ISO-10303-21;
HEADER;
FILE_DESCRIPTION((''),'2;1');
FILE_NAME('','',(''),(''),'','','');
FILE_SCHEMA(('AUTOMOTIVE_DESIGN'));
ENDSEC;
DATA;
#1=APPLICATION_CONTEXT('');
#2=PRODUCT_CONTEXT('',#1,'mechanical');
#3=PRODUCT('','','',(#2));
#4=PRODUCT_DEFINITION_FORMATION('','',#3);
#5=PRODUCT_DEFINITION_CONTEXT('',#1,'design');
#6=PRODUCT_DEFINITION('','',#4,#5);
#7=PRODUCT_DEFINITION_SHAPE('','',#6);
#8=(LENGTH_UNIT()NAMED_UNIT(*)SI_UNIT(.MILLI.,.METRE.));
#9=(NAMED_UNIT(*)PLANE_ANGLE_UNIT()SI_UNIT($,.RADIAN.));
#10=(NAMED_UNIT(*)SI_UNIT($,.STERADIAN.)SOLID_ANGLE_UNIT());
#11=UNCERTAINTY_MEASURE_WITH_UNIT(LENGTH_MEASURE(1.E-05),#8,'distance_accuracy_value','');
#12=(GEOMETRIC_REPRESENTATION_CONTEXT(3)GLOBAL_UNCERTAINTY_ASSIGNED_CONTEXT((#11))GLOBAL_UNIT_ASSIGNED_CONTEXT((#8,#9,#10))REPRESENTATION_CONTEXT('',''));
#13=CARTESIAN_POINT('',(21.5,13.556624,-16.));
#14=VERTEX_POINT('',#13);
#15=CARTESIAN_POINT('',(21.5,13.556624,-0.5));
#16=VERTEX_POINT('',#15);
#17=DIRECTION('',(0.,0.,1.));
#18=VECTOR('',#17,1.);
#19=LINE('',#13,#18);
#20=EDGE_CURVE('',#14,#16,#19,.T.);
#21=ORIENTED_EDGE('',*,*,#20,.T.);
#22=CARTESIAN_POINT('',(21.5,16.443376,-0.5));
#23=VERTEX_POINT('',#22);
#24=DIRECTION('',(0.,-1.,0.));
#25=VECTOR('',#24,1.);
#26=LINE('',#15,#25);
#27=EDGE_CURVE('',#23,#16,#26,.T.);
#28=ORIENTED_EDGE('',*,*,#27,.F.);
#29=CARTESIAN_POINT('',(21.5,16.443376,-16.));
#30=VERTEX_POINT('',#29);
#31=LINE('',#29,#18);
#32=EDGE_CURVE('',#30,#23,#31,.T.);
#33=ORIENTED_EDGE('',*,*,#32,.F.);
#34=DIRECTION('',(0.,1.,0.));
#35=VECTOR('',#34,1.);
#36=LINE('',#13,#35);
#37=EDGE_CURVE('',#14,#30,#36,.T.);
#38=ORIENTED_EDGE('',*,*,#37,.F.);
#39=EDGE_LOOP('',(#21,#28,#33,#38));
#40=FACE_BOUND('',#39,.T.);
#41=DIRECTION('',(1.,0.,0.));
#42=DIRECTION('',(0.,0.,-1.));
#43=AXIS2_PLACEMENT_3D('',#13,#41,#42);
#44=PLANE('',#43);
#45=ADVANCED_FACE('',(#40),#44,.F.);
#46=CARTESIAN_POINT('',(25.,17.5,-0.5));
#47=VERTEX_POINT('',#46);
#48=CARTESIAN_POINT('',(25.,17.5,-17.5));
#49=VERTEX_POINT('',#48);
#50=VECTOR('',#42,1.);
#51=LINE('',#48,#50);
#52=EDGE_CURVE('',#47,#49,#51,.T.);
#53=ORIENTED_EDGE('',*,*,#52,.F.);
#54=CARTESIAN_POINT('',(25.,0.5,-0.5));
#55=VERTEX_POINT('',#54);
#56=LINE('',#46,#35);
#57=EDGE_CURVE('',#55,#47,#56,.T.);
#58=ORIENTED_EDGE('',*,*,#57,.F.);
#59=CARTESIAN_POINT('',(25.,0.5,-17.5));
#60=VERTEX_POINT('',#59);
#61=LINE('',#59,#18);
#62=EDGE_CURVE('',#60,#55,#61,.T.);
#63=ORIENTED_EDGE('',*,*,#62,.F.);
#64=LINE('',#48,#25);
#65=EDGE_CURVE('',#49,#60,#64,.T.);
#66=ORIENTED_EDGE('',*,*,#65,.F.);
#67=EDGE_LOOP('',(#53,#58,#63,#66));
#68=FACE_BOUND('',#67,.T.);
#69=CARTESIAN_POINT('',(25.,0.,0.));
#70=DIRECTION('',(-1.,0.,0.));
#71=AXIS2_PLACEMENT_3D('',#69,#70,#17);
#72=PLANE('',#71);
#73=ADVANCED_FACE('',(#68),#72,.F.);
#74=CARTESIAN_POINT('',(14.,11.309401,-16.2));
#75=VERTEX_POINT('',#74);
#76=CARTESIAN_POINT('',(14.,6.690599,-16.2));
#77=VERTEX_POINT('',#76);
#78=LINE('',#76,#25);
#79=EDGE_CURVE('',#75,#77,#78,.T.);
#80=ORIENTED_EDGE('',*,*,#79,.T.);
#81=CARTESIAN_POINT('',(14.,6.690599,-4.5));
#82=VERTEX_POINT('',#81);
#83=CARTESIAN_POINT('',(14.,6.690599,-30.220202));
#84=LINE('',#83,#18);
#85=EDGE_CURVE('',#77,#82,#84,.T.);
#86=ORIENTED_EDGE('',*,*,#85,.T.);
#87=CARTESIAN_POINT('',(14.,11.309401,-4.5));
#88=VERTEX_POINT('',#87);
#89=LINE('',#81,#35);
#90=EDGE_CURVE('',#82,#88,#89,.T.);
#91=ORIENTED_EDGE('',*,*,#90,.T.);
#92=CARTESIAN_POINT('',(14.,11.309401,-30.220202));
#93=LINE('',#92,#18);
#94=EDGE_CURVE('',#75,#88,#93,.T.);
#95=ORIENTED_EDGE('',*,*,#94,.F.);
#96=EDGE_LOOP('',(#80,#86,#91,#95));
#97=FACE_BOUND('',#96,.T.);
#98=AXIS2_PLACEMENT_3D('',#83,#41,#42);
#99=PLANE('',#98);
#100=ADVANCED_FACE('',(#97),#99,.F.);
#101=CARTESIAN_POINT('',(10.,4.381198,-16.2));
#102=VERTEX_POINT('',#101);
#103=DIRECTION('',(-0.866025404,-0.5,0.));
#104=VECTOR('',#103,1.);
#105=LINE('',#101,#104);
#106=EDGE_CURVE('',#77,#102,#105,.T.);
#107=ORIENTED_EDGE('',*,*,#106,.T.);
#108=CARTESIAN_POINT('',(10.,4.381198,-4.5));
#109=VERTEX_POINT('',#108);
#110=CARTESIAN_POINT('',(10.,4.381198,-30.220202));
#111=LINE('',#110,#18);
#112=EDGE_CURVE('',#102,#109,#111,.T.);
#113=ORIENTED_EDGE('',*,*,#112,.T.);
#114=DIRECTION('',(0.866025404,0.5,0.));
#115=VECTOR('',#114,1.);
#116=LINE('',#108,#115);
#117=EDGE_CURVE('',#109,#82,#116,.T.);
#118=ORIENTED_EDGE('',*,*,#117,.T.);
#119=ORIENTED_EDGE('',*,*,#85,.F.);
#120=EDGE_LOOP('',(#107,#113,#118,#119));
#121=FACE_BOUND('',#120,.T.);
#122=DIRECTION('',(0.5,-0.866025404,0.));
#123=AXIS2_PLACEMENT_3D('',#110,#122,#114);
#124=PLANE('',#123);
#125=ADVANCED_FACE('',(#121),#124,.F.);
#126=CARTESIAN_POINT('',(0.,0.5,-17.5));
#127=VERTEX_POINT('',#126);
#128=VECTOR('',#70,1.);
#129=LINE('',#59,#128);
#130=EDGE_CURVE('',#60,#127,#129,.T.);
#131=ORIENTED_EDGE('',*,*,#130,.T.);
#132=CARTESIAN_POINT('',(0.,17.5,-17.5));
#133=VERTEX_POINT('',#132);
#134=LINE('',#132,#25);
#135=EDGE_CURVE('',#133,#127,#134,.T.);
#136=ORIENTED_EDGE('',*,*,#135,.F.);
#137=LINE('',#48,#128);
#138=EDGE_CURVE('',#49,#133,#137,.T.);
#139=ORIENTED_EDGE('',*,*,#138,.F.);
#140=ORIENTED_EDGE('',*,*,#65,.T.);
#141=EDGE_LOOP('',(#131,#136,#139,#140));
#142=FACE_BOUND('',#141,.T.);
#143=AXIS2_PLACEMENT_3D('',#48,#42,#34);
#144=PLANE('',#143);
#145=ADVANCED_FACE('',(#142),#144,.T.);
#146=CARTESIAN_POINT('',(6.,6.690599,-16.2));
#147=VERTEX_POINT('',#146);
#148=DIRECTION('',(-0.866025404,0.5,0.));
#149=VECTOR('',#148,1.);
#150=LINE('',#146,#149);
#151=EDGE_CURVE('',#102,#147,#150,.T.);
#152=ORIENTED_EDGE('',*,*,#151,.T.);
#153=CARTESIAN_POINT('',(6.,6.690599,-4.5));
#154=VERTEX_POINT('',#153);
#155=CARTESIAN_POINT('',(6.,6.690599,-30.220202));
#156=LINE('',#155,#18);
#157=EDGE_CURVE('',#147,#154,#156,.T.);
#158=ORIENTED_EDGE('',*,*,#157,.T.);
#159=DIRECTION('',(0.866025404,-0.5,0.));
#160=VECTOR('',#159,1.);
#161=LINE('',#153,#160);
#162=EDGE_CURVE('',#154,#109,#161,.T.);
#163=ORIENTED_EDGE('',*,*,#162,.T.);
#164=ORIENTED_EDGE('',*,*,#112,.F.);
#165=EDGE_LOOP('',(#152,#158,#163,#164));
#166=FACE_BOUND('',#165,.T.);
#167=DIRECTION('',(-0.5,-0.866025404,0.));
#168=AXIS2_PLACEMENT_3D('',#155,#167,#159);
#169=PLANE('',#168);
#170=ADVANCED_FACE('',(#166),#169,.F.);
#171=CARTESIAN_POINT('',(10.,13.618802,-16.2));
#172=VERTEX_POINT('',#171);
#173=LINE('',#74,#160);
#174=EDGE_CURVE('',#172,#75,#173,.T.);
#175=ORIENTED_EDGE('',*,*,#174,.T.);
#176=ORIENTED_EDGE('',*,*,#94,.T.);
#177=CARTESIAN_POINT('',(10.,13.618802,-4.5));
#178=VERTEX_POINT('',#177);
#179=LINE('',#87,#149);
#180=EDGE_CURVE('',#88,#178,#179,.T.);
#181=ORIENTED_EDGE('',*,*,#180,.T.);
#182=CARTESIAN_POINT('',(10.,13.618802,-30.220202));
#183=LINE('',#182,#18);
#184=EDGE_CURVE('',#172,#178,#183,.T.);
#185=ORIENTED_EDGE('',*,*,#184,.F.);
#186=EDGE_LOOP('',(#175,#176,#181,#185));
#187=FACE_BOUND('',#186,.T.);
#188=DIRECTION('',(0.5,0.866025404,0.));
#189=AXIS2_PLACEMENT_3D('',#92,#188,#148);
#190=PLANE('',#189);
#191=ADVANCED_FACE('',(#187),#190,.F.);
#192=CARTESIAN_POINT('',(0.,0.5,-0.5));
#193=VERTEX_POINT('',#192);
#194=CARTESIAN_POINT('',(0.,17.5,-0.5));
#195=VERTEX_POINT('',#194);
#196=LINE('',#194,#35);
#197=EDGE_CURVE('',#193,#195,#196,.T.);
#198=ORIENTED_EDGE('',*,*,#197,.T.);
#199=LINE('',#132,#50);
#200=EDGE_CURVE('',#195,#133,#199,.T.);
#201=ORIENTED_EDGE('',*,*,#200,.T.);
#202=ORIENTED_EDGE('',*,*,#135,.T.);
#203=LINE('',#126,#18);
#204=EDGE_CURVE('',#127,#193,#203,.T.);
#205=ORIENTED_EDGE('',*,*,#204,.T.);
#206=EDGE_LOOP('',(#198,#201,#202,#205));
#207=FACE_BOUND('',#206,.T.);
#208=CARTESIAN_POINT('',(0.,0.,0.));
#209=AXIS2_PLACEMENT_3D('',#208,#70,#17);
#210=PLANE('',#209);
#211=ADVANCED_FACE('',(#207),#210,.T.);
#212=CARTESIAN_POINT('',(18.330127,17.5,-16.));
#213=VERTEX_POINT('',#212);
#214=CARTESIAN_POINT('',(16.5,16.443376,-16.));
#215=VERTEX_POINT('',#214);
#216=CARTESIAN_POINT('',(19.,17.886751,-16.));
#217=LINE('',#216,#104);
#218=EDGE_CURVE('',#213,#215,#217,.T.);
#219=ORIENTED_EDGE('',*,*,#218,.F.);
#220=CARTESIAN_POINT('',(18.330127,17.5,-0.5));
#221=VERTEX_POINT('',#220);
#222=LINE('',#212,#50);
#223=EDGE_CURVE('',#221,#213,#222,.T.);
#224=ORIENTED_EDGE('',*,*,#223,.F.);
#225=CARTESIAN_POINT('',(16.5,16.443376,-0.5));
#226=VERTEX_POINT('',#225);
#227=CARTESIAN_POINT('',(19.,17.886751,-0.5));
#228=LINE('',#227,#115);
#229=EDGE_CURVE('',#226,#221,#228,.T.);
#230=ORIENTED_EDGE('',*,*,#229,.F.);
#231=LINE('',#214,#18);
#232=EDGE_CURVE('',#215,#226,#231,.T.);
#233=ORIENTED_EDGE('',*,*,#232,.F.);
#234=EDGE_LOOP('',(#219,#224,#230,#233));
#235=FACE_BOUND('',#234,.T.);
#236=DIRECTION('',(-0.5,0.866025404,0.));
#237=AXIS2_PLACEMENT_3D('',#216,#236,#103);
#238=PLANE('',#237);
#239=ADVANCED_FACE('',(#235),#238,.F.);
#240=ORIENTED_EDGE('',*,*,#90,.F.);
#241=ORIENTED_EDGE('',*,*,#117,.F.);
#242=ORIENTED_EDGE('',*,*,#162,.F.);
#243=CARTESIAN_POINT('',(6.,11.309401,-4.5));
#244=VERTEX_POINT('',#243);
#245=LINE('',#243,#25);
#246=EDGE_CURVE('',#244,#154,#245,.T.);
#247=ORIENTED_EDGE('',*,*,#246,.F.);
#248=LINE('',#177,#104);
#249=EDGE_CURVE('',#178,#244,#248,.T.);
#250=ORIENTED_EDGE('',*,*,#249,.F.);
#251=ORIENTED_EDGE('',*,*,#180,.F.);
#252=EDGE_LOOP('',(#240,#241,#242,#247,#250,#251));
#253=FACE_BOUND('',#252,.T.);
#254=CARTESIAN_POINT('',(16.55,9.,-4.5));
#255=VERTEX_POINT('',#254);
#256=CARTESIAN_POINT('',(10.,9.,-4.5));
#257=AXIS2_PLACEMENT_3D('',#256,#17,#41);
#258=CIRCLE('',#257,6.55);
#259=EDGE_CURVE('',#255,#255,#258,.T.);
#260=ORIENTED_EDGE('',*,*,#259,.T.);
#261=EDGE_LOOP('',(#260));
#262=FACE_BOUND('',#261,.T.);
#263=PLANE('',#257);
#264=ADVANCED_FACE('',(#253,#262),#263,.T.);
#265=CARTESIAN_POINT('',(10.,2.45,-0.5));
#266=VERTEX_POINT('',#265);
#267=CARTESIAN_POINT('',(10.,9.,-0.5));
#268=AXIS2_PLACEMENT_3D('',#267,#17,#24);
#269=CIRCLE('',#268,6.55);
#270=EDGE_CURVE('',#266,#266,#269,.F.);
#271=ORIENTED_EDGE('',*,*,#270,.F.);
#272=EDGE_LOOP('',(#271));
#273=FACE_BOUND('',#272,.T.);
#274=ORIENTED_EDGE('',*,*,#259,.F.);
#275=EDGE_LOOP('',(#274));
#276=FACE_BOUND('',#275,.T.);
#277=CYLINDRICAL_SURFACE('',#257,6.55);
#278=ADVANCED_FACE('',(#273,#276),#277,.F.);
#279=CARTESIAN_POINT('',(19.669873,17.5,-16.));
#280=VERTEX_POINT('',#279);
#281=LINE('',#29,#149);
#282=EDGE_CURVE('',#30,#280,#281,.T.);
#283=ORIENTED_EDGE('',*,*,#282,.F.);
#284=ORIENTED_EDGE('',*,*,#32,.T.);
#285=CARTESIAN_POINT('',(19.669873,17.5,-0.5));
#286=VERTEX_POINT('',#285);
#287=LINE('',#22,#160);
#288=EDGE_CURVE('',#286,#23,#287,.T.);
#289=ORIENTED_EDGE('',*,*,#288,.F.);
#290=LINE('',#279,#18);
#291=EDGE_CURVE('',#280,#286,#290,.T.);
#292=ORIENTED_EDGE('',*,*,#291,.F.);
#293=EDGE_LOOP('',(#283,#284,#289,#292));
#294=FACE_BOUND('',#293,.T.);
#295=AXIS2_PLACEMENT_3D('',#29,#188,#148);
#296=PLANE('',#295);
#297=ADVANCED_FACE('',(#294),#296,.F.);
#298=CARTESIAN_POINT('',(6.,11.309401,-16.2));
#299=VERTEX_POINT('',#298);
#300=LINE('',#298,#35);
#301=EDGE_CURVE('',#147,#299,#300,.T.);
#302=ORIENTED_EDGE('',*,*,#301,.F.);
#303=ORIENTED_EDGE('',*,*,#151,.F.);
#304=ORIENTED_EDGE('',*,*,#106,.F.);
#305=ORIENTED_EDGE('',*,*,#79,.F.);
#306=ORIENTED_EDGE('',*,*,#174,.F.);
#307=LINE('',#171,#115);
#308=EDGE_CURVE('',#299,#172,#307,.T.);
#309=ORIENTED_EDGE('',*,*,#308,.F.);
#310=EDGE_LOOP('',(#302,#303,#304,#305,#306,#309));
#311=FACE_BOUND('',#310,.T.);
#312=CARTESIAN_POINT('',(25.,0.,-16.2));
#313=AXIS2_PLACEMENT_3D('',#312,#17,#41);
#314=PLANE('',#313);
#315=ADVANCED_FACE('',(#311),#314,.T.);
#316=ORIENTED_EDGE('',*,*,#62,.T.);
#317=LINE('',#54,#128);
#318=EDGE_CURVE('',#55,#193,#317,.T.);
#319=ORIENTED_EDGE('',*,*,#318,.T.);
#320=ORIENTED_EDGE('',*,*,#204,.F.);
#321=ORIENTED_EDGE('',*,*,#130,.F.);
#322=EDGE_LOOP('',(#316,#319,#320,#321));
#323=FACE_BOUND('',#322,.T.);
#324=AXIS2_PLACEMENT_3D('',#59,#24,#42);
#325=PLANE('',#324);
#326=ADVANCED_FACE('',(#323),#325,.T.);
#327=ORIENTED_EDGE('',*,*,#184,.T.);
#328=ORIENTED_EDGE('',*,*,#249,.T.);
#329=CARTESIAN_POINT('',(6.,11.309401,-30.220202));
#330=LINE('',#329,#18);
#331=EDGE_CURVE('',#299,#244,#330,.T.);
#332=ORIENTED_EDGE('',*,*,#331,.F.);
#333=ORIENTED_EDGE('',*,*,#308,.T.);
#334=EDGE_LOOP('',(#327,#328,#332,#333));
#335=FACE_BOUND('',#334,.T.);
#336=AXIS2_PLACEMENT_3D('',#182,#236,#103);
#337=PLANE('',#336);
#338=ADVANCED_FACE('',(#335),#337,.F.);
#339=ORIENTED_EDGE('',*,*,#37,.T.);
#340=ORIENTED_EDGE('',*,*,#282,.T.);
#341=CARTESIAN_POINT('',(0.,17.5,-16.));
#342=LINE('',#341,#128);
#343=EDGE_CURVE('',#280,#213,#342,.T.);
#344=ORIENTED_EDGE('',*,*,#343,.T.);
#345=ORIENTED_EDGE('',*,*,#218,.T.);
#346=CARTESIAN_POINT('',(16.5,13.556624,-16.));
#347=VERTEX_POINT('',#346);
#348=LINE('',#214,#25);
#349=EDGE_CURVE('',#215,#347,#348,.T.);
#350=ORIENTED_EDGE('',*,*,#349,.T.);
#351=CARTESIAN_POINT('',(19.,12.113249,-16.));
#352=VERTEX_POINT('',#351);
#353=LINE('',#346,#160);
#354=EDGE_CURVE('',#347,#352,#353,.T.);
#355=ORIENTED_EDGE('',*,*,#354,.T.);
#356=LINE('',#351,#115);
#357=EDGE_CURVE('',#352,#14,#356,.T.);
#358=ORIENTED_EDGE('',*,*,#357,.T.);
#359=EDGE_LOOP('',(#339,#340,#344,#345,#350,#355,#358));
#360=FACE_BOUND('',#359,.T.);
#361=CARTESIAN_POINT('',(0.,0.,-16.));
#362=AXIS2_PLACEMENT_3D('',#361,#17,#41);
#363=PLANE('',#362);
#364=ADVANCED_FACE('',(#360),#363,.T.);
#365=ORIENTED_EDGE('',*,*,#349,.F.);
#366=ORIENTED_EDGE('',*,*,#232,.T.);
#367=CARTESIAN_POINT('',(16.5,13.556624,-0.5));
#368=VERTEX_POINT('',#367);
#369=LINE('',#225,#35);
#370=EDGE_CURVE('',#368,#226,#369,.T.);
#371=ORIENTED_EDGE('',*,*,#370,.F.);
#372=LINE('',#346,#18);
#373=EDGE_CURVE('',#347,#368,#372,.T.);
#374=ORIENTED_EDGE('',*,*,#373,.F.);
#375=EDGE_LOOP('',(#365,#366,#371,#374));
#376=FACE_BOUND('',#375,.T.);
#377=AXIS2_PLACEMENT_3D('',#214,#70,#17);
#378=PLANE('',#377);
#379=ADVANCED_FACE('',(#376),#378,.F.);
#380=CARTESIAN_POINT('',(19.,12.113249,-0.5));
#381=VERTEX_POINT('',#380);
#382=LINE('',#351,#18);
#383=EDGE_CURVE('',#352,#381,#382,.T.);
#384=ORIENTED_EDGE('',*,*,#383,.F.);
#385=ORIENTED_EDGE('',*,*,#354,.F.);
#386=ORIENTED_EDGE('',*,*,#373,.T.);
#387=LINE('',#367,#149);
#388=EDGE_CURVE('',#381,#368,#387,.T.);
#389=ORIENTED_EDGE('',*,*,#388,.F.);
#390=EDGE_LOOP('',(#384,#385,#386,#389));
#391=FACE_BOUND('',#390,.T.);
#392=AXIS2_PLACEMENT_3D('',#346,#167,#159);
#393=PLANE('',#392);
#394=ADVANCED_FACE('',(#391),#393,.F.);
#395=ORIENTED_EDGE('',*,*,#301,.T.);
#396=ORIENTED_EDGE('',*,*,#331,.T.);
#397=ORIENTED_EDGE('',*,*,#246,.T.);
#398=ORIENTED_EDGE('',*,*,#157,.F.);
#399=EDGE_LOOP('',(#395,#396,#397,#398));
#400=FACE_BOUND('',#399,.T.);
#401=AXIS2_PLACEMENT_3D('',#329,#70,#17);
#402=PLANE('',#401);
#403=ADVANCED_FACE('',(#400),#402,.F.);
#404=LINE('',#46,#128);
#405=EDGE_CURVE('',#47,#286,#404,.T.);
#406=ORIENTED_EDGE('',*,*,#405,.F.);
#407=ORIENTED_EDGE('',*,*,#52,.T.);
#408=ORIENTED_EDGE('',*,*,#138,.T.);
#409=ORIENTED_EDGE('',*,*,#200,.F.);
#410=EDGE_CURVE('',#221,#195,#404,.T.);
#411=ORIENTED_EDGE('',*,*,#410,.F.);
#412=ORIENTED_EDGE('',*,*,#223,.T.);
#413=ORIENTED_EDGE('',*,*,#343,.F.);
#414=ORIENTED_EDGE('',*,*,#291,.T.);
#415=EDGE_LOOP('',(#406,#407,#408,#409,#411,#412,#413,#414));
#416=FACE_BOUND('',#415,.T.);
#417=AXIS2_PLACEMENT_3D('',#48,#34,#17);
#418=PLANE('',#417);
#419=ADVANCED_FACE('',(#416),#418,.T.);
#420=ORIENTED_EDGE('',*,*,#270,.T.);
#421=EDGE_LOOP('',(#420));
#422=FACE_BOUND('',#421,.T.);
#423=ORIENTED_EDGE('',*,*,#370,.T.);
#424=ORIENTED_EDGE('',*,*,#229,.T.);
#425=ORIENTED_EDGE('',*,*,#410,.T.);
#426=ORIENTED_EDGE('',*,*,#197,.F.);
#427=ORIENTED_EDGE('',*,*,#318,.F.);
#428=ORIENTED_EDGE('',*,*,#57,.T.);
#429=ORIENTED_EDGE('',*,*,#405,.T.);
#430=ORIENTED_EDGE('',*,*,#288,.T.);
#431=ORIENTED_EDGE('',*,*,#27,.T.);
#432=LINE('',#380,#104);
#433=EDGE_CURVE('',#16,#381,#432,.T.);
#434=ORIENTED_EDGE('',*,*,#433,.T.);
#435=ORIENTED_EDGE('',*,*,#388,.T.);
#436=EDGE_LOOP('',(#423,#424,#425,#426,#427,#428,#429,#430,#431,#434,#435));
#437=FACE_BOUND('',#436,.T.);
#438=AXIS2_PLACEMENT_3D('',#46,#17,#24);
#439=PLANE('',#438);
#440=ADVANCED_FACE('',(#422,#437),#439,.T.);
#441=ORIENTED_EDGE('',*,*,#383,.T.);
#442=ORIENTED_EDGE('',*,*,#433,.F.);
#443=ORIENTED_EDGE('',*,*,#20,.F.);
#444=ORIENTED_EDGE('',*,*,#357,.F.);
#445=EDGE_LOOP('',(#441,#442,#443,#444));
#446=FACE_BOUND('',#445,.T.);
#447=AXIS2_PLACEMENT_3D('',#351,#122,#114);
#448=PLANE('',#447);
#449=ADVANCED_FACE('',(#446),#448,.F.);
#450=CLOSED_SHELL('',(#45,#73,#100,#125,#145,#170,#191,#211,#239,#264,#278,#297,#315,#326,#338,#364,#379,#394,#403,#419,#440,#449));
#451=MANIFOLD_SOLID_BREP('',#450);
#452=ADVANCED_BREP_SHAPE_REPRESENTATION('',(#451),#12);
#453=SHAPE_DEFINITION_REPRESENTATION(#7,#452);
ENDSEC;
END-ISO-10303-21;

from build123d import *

# Parameters (mm, degrees)
SKETCH_1_W          = 18
SKETCH_1_H          = 18
EXTRUDE_1_DEPTH     = 25
SKETCH_2_R          = 6.55
CUT_EXTRUDE_1_DEPTH = 4.5
CUT_EXTRUDE_2_DEPTH = 11.7
CUT_EXTRUDE_3_DEPTH = 16
SKETCH_6_W          = 18
SKETCH_6_H          = 18
SKETCH_6_W_2        = 17
SKETCH_6_H_2        = 17
CUT_EXTRUDE_5_DEPTH = 26


with BuildPart() as part:
    # 草图1 → 凸台-拉伸1 (new body)
    with BuildSketch(Plane(origin=(0, 0, 0), x_dir=(0, 0, -1), z_dir=(1, 0, 0))):
        with Locations((9, 9)):
            Rectangle(SKETCH_1_W, SKETCH_1_H)
    extrude(amount=EXTRUDE_1_DEPTH)

    # 草图2 → 切除-拉伸1 (cut)
    with BuildSketch(Plane.XY):
        with Locations((10, 9)):
            Circle(SKETCH_2_R)
    extrude(amount=-CUT_EXTRUDE_1_DEPTH, mode=Mode.SUBTRACT)

    # 草图3 → 切除-拉伸2 (cut)
    with BuildSketch(Plane.XY.offset(-4.5)):
        Polygon((10, 13.618802154), (6, 11.309401077), (6, 6.690598923), (10, 4.381197846), (14, 6.690598923), (14, 11.309401077), align=None)
    extrude(amount=-CUT_EXTRUDE_2_DEPTH, mode=Mode.SUBTRACT)

    # 草图4 → 切除-拉伸3 (cut)
    with BuildSketch(Plane.XY):
        Polygon((19, 17.886751346), (16.5, 16.443375673), (16.5, 13.556624327), (19, 12.113248654), (21.5, 13.556624327), (21.5, 16.443375673), align=None)
    extrude(amount=-CUT_EXTRUDE_3_DEPTH, mode=Mode.SUBTRACT)

    # 草图6 → 切除-拉伸5 (cut, through all)
    with BuildSketch(Plane.ZY):
        with Locations((-9, 9)):
            Rectangle(SKETCH_6_W, SKETCH_6_H)
        with Locations((-9, 9)):
            Rectangle(SKETCH_6_W_2, SKETCH_6_H_2, mode=Mode.SUBTRACT)
    extrude(amount=-CUT_EXTRUDE_5_DEPTH, mode=Mode.SUBTRACT)


solid = part.part
